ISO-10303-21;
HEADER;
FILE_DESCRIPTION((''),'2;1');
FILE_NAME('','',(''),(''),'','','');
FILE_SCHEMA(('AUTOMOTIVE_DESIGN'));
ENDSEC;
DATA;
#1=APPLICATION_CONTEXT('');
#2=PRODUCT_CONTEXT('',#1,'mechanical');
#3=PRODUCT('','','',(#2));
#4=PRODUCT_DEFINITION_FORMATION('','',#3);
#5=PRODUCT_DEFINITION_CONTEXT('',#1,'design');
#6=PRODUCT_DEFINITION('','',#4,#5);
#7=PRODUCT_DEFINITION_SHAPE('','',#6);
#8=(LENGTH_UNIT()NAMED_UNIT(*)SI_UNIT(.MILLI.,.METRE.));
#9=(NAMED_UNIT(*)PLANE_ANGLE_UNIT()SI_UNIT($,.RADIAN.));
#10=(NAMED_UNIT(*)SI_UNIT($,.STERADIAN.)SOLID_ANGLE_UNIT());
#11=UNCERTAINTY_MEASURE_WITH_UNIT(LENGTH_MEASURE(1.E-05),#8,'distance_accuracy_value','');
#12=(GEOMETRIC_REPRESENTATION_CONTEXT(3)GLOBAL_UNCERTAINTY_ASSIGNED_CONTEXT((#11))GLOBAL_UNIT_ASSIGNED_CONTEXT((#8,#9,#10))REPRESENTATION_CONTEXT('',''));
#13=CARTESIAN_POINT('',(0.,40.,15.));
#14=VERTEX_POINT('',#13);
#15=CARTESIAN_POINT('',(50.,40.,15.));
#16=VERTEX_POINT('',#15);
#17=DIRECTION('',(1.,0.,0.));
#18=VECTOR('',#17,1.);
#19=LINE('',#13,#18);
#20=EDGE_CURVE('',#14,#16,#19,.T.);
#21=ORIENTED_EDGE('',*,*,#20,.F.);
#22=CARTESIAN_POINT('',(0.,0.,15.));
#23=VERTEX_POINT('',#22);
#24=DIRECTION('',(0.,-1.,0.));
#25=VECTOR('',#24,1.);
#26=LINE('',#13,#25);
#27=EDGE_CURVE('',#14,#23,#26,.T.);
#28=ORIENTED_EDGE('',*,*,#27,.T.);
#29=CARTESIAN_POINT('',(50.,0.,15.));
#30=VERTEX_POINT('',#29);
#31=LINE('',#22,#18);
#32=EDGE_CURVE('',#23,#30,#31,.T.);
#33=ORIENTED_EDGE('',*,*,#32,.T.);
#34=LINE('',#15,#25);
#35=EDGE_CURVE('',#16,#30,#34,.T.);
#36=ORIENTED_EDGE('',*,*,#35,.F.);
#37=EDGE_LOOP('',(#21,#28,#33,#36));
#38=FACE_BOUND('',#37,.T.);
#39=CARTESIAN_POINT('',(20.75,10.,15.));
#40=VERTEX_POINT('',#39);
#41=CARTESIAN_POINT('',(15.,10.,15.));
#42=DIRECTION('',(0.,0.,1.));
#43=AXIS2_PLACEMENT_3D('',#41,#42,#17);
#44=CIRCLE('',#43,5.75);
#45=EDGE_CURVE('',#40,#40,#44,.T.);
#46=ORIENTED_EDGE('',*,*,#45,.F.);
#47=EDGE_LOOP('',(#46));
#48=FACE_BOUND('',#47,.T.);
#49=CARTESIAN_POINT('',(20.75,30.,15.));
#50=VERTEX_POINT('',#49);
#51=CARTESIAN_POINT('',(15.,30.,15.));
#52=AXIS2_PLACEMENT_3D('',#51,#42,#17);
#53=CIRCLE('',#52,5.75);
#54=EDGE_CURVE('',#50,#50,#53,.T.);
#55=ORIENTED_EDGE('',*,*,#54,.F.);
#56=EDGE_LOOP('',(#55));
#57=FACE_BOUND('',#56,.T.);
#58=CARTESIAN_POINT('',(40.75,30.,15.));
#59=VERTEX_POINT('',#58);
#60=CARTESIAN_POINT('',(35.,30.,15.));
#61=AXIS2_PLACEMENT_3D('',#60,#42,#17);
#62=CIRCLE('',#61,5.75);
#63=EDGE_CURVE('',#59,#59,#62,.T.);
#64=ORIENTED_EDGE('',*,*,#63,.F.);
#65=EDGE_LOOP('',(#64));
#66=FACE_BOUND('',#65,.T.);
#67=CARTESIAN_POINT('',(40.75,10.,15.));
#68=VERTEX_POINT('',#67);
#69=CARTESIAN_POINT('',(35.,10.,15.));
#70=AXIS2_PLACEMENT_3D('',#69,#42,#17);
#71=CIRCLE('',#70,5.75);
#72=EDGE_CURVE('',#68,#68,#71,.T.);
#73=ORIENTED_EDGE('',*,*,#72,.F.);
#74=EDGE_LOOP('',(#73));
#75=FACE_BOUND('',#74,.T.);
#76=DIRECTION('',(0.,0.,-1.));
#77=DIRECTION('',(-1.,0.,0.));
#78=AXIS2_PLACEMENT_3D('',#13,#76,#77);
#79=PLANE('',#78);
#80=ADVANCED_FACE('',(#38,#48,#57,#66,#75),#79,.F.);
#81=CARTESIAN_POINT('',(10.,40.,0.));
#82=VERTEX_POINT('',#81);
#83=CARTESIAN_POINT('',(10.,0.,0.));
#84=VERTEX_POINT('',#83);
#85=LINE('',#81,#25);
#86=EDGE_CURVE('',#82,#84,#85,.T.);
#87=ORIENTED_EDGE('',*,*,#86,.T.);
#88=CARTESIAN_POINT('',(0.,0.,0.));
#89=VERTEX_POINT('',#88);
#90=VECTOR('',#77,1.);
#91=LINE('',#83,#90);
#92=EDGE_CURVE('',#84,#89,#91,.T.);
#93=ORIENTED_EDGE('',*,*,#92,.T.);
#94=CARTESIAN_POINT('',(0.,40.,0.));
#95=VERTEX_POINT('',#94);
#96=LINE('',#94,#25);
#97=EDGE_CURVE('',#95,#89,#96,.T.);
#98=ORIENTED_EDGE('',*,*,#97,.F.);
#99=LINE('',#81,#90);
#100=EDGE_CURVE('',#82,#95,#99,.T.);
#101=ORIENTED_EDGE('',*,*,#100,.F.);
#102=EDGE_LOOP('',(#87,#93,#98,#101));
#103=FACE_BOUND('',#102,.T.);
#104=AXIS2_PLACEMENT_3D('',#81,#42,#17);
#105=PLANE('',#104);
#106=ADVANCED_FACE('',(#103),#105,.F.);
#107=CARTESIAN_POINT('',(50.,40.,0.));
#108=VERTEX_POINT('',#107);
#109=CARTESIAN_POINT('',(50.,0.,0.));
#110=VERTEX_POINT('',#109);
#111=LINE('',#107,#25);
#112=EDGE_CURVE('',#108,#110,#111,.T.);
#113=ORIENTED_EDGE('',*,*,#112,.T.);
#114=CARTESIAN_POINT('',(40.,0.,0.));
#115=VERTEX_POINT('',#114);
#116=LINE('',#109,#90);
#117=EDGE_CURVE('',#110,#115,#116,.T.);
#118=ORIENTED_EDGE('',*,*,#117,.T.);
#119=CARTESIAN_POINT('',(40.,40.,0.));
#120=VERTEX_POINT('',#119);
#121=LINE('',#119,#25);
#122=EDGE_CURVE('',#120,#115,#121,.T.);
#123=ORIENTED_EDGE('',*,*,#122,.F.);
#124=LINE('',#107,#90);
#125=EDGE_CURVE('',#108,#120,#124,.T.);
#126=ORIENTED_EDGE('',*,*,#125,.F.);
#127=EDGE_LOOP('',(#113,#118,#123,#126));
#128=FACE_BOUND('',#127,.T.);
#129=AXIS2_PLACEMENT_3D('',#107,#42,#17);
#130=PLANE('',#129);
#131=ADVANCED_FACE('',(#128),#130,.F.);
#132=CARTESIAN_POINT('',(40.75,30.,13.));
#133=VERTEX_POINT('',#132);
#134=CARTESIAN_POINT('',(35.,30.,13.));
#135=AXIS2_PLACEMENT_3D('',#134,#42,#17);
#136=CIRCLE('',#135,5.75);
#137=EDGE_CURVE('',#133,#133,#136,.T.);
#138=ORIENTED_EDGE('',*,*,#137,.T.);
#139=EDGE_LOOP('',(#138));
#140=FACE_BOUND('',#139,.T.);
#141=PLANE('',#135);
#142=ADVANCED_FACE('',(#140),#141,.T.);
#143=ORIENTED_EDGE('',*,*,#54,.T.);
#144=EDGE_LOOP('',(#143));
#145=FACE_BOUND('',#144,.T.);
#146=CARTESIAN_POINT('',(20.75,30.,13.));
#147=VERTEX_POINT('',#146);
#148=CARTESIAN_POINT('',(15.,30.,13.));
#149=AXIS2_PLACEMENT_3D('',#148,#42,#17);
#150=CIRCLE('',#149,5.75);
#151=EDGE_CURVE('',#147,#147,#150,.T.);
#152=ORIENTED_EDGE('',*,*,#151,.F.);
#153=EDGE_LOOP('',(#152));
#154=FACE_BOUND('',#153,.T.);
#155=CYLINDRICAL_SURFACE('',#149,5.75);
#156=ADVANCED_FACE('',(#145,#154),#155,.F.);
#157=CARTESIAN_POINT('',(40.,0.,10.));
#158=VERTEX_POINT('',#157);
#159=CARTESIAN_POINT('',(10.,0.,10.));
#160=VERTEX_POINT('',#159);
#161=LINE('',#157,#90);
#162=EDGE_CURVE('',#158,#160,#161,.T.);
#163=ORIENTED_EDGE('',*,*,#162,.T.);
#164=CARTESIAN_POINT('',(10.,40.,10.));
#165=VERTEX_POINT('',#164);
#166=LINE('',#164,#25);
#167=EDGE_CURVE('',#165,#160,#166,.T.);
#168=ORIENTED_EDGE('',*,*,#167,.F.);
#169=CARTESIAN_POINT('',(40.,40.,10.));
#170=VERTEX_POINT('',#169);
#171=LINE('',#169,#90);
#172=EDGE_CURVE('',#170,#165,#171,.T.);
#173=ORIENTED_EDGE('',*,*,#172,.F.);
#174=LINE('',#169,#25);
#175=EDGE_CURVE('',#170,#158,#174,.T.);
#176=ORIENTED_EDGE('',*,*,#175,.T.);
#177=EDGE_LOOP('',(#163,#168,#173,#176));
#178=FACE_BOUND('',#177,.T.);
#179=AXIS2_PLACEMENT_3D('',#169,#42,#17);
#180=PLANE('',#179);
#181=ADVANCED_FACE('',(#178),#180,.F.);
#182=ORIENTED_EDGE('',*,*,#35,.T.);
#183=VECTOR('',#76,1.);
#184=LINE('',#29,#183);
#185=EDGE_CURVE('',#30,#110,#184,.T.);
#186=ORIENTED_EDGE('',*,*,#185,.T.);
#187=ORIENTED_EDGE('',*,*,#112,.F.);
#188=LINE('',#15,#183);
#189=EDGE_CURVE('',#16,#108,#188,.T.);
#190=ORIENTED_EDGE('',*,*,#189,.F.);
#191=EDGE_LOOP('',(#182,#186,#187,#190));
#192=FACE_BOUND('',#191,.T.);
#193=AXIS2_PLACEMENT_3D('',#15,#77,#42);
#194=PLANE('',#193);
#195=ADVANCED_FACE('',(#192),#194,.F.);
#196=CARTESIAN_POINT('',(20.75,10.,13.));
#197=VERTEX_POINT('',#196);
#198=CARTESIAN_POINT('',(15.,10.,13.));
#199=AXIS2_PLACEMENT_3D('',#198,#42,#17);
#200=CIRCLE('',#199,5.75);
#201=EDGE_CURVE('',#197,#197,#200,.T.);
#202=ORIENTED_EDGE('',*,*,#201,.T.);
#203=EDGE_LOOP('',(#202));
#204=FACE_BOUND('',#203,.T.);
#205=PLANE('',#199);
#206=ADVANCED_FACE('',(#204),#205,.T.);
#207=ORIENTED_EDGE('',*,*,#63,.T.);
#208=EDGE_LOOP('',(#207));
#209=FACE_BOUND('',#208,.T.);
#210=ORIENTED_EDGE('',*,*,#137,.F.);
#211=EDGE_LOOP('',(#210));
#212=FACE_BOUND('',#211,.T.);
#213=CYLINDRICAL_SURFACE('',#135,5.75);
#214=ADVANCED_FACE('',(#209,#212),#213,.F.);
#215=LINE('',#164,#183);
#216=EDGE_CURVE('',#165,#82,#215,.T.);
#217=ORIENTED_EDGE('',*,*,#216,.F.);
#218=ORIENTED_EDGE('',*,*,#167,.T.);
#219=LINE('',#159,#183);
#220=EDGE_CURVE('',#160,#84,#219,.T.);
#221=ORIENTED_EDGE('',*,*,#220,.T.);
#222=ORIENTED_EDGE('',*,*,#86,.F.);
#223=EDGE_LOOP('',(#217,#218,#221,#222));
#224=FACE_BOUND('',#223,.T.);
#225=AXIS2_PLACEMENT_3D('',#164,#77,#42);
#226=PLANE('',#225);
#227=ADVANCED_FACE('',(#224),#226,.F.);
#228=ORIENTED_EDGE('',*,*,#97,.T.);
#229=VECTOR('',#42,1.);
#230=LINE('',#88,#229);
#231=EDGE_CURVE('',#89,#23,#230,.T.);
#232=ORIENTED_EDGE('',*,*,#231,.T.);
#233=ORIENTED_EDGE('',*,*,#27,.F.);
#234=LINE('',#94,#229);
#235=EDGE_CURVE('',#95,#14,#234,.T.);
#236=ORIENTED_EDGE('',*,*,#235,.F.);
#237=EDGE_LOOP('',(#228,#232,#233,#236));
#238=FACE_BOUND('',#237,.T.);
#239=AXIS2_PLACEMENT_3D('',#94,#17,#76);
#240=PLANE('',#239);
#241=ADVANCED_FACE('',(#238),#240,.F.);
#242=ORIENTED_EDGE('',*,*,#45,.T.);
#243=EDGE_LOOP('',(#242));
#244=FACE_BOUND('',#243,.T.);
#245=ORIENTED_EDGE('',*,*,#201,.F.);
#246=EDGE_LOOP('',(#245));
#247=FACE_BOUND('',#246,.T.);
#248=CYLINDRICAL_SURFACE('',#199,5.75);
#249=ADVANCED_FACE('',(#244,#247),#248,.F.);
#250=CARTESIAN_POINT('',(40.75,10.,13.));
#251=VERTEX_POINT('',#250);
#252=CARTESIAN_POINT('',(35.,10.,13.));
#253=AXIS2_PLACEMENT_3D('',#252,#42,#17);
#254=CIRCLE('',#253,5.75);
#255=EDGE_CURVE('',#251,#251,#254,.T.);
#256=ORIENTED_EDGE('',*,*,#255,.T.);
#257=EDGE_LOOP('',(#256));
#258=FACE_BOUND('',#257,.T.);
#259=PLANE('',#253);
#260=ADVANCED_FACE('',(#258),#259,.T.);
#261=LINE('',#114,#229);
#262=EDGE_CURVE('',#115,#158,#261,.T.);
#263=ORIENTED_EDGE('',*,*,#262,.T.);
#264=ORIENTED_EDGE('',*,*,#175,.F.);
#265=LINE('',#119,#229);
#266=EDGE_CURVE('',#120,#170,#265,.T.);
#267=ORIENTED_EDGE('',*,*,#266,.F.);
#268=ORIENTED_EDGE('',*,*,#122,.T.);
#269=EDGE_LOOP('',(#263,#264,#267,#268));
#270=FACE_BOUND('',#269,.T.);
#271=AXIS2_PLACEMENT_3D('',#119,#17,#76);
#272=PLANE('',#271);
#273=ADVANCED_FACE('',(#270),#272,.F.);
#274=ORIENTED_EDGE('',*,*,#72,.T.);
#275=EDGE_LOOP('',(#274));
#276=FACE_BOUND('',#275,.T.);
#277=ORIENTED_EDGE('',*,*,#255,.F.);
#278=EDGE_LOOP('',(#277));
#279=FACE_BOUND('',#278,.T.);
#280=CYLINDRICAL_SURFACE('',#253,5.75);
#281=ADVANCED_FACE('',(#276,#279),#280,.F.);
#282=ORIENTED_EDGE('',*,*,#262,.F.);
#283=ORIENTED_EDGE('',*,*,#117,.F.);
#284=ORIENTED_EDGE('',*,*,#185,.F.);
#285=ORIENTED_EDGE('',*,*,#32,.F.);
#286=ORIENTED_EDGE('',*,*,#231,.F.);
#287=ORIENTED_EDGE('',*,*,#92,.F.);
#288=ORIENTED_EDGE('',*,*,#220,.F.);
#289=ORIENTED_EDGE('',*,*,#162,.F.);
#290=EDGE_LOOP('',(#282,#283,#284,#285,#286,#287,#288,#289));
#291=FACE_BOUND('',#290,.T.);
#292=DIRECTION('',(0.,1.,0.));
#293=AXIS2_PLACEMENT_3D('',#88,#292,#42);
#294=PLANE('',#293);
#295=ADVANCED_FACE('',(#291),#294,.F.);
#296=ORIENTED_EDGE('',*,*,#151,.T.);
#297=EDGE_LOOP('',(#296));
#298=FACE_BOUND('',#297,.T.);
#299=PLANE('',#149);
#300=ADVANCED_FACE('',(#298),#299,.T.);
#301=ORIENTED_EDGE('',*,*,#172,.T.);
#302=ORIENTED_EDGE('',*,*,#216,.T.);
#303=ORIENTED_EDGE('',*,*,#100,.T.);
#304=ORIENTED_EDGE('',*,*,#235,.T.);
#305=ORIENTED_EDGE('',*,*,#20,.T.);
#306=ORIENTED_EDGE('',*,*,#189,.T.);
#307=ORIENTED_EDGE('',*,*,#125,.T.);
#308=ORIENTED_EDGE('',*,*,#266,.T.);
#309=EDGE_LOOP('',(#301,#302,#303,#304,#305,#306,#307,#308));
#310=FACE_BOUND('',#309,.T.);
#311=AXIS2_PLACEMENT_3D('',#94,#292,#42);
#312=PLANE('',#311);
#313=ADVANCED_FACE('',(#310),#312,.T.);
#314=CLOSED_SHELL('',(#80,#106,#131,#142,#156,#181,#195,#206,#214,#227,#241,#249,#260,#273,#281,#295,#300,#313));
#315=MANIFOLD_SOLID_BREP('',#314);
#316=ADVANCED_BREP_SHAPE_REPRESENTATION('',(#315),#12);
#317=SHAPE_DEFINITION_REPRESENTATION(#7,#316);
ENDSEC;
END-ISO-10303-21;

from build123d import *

# Parameters (mm, degrees)
EXTRUDE_1_DEPTH     = 40
SKETCH_2_R          = 5.75
CUT_EXTRUDE_1_DEPTH = 2


with BuildPart() as part:
    # 草图1 → 凸台-拉伸1 (new body)
    with BuildSketch(Plane(origin=(0, 0, 0), x_dir=(1, 0, 0), z_dir=(0, 1, 0))):
        Polygon((0, 0), (0, -15), (50, -15), (50, 0), (40, 0), (40, -10), (10, -10), (10, 0), align=None)
    extrude(amount=EXTRUDE_1_DEPTH)

    # 草图2 → 切除-拉伸1 (cut)
    with BuildSketch(Plane.XY.offset(15)):
        with Locations((15, 30)):
            Circle(SKETCH_2_R)
        with Locations((35, 30)):
            Circle(SKETCH_2_R)
        with Locations((15, 10)):
            Circle(SKETCH_2_R)
        with Locations((35, 10)):
            Circle(SKETCH_2_R)
    extrude(amount=-CUT_EXTRUDE_1_DEPTH, mode=Mode.SUBTRACT)


solid = part.part
